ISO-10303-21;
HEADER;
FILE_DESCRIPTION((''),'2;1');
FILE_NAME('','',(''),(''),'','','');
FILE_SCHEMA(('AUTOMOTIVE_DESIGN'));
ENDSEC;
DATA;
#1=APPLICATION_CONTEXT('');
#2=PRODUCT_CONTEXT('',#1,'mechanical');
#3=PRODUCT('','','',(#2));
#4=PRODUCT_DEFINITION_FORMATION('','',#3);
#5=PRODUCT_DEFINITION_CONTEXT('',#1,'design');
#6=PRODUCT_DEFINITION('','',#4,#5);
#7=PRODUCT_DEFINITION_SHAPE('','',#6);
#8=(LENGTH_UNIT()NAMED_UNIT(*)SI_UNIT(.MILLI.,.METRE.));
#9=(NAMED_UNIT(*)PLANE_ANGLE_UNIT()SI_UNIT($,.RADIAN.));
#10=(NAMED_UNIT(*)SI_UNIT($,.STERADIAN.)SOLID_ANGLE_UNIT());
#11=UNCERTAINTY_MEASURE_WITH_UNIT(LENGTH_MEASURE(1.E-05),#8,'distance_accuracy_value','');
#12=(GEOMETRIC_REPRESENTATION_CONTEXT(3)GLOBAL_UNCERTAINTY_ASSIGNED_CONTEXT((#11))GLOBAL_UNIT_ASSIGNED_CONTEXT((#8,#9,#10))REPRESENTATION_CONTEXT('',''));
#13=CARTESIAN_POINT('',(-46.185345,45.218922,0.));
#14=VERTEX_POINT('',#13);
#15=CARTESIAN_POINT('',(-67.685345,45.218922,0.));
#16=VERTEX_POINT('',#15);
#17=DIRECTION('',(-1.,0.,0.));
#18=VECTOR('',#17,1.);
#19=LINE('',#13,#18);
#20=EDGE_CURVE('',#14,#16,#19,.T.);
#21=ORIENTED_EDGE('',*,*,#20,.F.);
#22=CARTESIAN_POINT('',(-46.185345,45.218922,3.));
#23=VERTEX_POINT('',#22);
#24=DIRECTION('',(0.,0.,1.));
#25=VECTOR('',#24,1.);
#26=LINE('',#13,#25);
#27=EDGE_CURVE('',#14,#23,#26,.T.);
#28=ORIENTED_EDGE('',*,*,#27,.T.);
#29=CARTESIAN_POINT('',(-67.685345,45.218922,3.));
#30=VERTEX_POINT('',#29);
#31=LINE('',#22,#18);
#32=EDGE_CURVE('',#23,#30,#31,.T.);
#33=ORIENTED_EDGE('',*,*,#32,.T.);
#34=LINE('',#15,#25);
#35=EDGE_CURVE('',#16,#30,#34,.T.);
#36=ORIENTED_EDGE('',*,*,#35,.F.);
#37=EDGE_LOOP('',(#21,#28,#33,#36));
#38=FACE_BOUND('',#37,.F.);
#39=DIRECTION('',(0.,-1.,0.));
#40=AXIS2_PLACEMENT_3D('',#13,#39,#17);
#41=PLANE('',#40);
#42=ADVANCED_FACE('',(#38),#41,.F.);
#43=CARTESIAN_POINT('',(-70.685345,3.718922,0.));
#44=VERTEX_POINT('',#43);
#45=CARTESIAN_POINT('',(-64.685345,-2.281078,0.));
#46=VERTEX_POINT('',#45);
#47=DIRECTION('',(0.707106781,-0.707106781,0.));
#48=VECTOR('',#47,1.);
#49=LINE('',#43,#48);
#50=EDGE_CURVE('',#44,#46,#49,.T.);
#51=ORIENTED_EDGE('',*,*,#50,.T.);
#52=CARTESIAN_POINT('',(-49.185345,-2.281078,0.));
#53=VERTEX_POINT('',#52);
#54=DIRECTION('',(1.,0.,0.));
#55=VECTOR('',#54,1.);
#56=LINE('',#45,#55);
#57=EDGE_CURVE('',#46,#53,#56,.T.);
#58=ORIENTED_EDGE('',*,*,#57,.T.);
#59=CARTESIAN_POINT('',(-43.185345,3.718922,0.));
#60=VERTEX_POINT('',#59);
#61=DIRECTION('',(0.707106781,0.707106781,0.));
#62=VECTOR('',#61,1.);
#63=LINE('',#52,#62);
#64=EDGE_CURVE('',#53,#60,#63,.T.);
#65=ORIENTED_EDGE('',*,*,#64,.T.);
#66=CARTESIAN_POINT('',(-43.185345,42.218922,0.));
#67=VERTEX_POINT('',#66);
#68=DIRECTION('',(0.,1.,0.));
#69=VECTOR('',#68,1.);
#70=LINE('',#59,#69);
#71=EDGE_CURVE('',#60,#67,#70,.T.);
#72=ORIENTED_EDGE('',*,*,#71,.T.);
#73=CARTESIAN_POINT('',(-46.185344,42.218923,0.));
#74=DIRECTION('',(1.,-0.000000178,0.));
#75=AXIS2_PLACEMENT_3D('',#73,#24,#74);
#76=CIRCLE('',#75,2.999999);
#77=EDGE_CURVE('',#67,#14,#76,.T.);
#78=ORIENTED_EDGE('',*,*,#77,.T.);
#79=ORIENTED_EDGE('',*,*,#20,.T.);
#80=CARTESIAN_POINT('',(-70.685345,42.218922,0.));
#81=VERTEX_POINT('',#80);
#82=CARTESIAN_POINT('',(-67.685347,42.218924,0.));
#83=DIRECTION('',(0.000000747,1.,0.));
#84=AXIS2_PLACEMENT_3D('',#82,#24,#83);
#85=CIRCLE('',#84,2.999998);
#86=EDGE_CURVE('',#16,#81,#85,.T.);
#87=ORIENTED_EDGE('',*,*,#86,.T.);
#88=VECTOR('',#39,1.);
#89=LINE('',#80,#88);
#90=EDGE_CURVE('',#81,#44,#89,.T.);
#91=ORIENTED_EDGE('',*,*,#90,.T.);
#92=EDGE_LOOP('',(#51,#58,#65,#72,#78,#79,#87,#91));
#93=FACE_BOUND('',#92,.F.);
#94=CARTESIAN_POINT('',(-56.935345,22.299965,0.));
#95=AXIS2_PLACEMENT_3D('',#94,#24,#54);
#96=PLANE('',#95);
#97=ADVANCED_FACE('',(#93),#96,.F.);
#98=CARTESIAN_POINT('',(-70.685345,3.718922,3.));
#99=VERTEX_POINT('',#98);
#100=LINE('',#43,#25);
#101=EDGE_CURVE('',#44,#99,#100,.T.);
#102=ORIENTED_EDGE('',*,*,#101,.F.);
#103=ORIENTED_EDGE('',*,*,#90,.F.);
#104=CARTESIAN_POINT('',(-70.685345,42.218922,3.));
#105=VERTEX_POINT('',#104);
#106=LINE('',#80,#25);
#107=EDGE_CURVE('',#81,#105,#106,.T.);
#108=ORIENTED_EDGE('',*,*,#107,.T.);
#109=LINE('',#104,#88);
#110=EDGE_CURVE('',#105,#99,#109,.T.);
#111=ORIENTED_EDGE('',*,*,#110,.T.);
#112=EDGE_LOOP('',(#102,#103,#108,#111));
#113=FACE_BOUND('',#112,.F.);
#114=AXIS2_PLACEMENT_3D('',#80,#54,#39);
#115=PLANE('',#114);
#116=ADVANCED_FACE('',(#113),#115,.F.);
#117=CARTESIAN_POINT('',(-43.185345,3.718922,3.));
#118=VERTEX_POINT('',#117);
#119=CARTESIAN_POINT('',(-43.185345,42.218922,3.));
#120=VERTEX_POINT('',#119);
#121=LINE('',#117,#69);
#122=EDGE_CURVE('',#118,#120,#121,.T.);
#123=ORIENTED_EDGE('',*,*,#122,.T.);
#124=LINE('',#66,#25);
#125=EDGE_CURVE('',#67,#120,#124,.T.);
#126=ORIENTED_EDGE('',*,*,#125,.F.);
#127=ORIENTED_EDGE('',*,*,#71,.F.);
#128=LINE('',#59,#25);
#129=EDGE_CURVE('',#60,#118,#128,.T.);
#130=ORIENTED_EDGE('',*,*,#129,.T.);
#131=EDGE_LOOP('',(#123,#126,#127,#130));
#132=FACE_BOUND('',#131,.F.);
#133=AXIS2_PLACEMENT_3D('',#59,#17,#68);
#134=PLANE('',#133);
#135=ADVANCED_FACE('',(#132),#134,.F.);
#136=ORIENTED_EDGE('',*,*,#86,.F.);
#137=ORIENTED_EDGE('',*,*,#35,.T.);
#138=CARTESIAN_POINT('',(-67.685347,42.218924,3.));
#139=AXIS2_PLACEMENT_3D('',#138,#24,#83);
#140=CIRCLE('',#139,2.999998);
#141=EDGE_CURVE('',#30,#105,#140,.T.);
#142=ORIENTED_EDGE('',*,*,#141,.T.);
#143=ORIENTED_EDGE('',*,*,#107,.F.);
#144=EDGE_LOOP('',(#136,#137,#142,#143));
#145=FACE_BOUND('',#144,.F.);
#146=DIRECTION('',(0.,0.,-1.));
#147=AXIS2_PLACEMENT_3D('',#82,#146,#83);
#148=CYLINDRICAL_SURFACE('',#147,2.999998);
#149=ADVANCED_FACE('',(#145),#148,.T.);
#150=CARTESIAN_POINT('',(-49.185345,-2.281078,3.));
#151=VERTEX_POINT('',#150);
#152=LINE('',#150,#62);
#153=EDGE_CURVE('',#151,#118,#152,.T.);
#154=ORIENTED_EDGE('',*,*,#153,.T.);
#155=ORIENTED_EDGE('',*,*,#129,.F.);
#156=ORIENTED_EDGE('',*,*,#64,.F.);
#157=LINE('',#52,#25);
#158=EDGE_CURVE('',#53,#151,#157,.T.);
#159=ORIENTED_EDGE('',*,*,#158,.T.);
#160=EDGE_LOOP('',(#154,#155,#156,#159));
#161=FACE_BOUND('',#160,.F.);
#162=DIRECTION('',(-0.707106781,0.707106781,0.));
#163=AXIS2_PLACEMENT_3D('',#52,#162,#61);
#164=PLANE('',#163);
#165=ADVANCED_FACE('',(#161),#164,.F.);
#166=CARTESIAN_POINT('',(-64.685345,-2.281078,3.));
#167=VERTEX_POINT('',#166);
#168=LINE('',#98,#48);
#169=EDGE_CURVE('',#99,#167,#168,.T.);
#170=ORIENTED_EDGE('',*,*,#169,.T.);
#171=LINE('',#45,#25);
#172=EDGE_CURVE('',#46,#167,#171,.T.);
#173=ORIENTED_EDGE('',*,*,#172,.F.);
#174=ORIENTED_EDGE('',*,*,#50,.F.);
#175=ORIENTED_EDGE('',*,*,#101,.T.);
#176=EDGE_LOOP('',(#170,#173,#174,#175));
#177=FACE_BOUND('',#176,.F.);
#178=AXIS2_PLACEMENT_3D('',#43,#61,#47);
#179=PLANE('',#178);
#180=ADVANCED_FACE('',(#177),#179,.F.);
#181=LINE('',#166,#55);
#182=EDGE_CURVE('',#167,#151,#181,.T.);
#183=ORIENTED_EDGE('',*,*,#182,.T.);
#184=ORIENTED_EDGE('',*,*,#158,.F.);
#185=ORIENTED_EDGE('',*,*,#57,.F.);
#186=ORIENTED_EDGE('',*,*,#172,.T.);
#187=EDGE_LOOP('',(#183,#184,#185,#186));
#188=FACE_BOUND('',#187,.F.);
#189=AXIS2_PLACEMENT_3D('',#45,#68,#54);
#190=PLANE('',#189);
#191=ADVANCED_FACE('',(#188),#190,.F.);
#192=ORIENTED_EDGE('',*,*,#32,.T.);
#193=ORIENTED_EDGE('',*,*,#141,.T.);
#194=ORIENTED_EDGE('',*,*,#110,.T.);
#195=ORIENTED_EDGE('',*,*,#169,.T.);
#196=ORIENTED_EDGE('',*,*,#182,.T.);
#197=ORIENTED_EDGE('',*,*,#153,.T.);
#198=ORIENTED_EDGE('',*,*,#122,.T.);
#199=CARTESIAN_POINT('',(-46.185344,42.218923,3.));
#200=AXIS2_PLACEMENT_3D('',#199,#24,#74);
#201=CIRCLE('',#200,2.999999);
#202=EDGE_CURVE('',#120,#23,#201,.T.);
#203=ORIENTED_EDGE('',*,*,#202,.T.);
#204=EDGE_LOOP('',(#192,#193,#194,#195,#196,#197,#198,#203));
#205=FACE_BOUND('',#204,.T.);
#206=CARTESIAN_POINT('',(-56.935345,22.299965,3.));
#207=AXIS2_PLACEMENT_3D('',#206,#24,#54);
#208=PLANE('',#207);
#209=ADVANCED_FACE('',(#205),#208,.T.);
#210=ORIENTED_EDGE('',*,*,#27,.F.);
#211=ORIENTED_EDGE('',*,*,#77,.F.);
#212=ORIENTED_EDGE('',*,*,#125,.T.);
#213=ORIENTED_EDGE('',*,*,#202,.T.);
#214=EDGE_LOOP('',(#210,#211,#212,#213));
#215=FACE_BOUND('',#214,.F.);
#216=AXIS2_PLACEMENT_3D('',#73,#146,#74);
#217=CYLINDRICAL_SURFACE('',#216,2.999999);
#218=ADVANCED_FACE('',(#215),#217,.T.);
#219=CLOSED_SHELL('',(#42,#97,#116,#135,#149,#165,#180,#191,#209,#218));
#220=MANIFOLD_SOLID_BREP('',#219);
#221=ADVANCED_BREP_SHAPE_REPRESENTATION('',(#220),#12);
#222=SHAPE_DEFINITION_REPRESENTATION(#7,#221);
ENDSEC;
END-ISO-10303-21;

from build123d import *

# Parameters (mm, degrees)
F1_DEPTH = 3


with BuildPart() as f1:
    # F0 (on Top) → F1 (new body)
    with BuildSketch(Plane.XY):
        with BuildLine():
            Line((-46.185345, 45.218922), (-67.685345, 45.218922))
            ThreePointArc((-67.685345, 45.218922), (-69.806666, 44.340243), (-70.685345, 42.218922))
            Line((-70.685345, 42.218922), (-70.685345, 3.718922))
            Line((-70.685345, 3.718922), (-64.685345, -2.281078))
            Line((-64.685345, -2.281078), (-49.185345, -2.281078))
            Line((-49.185345, -2.281078), (-43.185345, 3.718922))
            Line((-43.185345, 3.718922), (-43.185345, 42.218922))
            ThreePointArc((-43.185345, 42.218922), (-44.064025, 44.340243), (-46.185345, 45.218922))
        make_face()
    extrude(amount=F1_DEPTH)


solid = f1.part
